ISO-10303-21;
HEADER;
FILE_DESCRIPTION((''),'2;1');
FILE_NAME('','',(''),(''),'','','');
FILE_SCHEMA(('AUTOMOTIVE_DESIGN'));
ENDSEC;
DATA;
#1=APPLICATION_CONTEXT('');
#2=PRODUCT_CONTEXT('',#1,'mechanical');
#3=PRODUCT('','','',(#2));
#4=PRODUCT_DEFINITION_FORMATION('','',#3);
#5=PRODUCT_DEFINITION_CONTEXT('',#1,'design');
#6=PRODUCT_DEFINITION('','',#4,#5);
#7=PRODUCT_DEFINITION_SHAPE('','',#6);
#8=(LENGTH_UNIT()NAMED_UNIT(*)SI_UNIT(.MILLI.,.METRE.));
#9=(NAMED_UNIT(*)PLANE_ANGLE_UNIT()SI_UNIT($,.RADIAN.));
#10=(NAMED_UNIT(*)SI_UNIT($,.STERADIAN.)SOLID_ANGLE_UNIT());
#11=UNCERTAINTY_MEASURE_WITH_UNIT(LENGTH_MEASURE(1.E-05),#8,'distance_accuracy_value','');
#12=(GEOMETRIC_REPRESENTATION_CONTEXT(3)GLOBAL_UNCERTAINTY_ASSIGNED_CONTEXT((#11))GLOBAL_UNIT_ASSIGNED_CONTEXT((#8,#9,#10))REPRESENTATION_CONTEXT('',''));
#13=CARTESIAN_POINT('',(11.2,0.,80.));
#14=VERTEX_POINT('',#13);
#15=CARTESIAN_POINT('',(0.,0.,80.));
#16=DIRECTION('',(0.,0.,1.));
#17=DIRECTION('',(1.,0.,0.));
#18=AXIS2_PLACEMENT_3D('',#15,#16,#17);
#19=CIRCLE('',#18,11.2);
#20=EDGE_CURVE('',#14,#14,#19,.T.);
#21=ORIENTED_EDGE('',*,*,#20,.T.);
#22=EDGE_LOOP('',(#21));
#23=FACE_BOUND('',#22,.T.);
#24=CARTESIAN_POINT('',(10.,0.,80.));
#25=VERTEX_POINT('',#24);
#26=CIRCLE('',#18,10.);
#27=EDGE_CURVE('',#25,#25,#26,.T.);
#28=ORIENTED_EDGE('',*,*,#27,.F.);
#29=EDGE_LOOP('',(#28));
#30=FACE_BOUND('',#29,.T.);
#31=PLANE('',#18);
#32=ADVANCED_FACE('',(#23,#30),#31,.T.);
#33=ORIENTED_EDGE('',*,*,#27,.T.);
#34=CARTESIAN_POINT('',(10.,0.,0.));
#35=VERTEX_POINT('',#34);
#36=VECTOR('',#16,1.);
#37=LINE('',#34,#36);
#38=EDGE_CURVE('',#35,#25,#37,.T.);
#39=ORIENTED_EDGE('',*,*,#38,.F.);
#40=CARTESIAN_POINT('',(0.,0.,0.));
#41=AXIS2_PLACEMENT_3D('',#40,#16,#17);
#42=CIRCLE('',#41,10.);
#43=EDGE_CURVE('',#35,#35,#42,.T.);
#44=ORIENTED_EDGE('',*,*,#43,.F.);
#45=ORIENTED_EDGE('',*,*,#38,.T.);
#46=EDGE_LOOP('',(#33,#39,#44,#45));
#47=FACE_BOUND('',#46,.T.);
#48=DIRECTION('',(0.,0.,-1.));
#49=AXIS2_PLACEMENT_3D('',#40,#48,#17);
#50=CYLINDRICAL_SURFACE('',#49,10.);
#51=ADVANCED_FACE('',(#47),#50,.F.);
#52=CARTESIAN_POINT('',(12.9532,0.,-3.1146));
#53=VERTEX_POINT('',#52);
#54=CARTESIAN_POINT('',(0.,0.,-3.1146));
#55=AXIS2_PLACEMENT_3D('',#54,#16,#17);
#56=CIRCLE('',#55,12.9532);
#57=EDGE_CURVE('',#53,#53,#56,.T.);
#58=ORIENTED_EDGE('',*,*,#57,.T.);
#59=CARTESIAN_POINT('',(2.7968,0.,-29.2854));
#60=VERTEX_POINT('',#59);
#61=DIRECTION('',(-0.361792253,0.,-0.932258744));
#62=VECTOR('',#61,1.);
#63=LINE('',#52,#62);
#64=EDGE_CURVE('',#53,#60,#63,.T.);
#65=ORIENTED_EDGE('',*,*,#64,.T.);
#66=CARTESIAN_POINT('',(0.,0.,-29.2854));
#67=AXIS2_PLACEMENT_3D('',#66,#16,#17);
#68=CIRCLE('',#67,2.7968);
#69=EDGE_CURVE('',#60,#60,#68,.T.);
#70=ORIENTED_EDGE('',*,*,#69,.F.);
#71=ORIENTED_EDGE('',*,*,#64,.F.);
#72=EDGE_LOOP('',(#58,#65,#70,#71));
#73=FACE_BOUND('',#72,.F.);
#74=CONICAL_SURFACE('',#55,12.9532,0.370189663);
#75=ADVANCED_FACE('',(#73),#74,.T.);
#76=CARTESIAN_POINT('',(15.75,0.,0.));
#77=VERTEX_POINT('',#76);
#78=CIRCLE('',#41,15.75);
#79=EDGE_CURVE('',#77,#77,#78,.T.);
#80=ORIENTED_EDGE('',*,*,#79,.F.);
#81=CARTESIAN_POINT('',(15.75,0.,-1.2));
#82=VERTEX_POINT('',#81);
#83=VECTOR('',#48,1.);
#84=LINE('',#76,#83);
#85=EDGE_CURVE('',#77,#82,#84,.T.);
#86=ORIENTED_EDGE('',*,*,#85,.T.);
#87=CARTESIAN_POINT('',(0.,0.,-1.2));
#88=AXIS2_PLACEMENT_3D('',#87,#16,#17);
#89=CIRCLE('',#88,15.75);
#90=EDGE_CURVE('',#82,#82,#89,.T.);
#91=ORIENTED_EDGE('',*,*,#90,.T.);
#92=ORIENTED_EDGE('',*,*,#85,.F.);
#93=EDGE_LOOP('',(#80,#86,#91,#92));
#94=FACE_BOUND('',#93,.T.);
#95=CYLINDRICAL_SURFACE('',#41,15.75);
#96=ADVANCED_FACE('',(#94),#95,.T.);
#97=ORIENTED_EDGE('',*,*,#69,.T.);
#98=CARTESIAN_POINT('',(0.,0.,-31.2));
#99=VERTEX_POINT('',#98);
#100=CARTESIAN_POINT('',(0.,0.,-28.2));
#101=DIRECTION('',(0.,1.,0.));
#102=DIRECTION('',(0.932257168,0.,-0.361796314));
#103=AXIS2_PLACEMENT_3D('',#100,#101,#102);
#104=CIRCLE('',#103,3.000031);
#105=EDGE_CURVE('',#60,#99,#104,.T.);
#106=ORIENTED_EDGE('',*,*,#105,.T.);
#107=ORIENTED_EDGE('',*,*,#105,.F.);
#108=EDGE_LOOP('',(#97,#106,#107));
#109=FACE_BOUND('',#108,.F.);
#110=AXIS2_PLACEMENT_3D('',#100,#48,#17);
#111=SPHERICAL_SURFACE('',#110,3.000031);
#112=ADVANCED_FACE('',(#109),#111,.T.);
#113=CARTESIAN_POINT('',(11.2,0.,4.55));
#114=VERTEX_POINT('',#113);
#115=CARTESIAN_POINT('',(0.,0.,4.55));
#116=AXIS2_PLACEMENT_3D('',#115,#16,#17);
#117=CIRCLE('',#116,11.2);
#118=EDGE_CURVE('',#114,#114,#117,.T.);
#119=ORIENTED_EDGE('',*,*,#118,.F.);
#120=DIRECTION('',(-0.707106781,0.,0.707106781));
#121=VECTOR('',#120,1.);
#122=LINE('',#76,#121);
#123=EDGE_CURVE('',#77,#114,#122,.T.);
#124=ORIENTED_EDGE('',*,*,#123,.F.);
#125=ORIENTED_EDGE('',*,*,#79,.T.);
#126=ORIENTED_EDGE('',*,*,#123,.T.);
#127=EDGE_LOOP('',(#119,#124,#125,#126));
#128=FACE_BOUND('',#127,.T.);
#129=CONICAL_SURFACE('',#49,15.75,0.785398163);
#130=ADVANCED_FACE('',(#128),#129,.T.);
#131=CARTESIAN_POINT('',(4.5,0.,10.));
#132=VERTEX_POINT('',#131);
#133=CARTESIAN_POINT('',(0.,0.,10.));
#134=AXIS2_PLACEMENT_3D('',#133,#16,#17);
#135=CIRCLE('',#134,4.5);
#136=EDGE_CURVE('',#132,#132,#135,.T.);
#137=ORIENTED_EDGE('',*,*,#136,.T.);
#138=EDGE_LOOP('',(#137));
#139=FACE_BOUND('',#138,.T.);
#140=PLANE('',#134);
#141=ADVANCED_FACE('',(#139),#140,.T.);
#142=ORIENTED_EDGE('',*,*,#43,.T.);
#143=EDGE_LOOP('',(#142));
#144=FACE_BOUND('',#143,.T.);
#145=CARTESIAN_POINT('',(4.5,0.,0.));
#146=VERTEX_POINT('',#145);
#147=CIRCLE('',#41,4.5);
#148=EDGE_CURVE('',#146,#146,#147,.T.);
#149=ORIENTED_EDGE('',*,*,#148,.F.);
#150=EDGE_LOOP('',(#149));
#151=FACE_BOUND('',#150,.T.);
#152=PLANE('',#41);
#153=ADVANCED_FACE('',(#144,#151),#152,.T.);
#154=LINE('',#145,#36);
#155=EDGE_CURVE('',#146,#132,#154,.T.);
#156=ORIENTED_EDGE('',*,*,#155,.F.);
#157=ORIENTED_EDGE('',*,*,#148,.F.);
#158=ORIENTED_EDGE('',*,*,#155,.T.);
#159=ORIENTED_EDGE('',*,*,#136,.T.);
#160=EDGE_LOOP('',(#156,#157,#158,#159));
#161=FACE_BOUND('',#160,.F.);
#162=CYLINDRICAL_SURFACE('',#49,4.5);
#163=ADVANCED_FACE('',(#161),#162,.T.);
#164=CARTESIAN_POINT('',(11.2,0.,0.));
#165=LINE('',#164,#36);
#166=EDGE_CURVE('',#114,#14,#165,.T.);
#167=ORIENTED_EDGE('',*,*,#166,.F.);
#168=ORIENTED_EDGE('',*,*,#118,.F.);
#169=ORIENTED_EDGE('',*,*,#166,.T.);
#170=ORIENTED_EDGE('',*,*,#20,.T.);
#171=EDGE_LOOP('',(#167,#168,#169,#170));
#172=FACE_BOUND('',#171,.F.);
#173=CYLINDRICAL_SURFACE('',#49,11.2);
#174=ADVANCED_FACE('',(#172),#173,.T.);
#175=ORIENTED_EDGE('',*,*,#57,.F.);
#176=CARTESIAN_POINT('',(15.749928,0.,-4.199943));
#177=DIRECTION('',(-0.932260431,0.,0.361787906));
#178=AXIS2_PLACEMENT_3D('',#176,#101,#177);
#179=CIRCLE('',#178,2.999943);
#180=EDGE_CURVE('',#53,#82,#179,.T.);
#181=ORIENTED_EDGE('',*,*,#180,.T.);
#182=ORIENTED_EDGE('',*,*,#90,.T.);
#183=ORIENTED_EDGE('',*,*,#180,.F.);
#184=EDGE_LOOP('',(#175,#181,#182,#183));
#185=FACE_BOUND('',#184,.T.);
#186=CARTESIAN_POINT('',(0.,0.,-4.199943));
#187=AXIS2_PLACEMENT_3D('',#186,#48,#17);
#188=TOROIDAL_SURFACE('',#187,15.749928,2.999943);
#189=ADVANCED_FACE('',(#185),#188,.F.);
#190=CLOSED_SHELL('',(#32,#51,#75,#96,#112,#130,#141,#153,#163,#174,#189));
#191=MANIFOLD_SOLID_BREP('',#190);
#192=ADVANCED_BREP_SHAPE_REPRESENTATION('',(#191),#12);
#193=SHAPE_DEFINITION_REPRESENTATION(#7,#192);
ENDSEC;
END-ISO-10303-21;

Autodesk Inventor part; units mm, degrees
ref_plane "YZ Plane" through (0, 0, 0) normal (1, 0, 0) x (0, 1, 0)
ref_plane "XZ Plane" through (0, 0, 0) normal (0, 1, 0) x (-1, 0, 0)
ref_plane "XY Plane" through (0, 0, 0) normal (0, 0, 1) x (1, 0, 0)
sketch "Sketch1" plane through (0, 0, 0) normal (0, 0, 1) x (1, 0, 0)
  circle A0 centre (0, 0) radius 10
  circle A1 centre (0, 0) radius 11.2
  circle A2 centre (0, 0) radius 15.75
  dimension "d0" = 20
  dimension "d1" = 1.2
  dimension "d12" = 31.5
  dimension "d16" = 22.4
extrude "Extrusion1" add sketch "Sketch1" against normal blind 31.2 contours A0 | A1 | A2
extrude "Extrusion2" add sketch "Sketch1" along normal blind 80 contours A1
sketch "Sketch2" plane through (0, 0, 0) normal (0, 1, 0) x (-1, 0, 0)
  line L0 (-15.75, -31.2) -> (15.75, -31.2) projected
  line L1 (15.75, 0) -> (-15.75, 0) construction
  line L2 (-15.75, -31.2) -> (15.75, -31.2) projected
  line L3 (15.75, 0) -> (-15.75, 0) projected
  line L4 (15.75, -31.2) -> (15.75, 0) construction
  line L5 (-15.75, -31.2) -> (-15.75, 0) construction
  line L6 (-15.75, 0) -> (-15.75, -31.2) construction
  line L7 (15.75, -1.2) -> (-15.75, -1.2)
  line L8 (15.75, -1.2) -> (15.75, -31.2)
  line L9 (-15.75, -1.2) -> (-15.75, -31.2)
  line L10 (15.75, 0) -> (15.75, -31.2) projected
  arc A0 (15.75, -1.2) -> (12.9532, -3.1146) centre (15.75, -4.2) ccw
  arc A1 (-12.9532, -3.1146) -> (-15.75, -1.2) centre (-15.75, -4.2) ccw
  arc A2 (-2.7968, -29.2854) -> (2.7968, -29.2854) centre (0, -28.2) ccw
  line L11 (2.7968, -29.2854) -> (12.9532, -3.1146)
  line L12 (-12.9532, -3.1146) -> (-2.7968, -29.2854)
  line L13 (0, -31.2) -> (0, -1.2)
  line L14 (-11.2, 0) -> (-11.2, 80) construction
  line L15 (-15.75, 0) -> (-11.2, 4.55)
  line L16 (-11.2, 0) -> (-11.2, 80) projected
  line L17 (-11.2, 4.55) -> (-11.2, 0)
  line L18 (-11.2, 0) -> (-15.75, 0)
  point P0 (0, 0)
  dimension "d7" = 1.2
  dimension "d10" = 3
  dimension "d14" = 45
revolve "Revolution1" cut sketch "Sketch2" angle 360 about axis through (0, 0, -31.2) along (0, 0, 1) contours L9 A1 L12 A2 L0
revolve "Revolution2" add sketch "Sketch2" angle 360 about axis through (0, 0, -31.2) along (0, 0, 1) contours L3 L15 L16 | A2 L12 A1 L7 L13
sketch "Sketch3" plane through (0, 0, 0) normal (0, 0, 1) x (1, 0, 0)
  circle A0 centre (0, 0) radius 4.5
  dimension "d17" = 9
extrude "Extrusion4" add sketch "Sketch3" along normal blind 10
properties part number "Static Marker Barrel" material "ABS Plastic"
